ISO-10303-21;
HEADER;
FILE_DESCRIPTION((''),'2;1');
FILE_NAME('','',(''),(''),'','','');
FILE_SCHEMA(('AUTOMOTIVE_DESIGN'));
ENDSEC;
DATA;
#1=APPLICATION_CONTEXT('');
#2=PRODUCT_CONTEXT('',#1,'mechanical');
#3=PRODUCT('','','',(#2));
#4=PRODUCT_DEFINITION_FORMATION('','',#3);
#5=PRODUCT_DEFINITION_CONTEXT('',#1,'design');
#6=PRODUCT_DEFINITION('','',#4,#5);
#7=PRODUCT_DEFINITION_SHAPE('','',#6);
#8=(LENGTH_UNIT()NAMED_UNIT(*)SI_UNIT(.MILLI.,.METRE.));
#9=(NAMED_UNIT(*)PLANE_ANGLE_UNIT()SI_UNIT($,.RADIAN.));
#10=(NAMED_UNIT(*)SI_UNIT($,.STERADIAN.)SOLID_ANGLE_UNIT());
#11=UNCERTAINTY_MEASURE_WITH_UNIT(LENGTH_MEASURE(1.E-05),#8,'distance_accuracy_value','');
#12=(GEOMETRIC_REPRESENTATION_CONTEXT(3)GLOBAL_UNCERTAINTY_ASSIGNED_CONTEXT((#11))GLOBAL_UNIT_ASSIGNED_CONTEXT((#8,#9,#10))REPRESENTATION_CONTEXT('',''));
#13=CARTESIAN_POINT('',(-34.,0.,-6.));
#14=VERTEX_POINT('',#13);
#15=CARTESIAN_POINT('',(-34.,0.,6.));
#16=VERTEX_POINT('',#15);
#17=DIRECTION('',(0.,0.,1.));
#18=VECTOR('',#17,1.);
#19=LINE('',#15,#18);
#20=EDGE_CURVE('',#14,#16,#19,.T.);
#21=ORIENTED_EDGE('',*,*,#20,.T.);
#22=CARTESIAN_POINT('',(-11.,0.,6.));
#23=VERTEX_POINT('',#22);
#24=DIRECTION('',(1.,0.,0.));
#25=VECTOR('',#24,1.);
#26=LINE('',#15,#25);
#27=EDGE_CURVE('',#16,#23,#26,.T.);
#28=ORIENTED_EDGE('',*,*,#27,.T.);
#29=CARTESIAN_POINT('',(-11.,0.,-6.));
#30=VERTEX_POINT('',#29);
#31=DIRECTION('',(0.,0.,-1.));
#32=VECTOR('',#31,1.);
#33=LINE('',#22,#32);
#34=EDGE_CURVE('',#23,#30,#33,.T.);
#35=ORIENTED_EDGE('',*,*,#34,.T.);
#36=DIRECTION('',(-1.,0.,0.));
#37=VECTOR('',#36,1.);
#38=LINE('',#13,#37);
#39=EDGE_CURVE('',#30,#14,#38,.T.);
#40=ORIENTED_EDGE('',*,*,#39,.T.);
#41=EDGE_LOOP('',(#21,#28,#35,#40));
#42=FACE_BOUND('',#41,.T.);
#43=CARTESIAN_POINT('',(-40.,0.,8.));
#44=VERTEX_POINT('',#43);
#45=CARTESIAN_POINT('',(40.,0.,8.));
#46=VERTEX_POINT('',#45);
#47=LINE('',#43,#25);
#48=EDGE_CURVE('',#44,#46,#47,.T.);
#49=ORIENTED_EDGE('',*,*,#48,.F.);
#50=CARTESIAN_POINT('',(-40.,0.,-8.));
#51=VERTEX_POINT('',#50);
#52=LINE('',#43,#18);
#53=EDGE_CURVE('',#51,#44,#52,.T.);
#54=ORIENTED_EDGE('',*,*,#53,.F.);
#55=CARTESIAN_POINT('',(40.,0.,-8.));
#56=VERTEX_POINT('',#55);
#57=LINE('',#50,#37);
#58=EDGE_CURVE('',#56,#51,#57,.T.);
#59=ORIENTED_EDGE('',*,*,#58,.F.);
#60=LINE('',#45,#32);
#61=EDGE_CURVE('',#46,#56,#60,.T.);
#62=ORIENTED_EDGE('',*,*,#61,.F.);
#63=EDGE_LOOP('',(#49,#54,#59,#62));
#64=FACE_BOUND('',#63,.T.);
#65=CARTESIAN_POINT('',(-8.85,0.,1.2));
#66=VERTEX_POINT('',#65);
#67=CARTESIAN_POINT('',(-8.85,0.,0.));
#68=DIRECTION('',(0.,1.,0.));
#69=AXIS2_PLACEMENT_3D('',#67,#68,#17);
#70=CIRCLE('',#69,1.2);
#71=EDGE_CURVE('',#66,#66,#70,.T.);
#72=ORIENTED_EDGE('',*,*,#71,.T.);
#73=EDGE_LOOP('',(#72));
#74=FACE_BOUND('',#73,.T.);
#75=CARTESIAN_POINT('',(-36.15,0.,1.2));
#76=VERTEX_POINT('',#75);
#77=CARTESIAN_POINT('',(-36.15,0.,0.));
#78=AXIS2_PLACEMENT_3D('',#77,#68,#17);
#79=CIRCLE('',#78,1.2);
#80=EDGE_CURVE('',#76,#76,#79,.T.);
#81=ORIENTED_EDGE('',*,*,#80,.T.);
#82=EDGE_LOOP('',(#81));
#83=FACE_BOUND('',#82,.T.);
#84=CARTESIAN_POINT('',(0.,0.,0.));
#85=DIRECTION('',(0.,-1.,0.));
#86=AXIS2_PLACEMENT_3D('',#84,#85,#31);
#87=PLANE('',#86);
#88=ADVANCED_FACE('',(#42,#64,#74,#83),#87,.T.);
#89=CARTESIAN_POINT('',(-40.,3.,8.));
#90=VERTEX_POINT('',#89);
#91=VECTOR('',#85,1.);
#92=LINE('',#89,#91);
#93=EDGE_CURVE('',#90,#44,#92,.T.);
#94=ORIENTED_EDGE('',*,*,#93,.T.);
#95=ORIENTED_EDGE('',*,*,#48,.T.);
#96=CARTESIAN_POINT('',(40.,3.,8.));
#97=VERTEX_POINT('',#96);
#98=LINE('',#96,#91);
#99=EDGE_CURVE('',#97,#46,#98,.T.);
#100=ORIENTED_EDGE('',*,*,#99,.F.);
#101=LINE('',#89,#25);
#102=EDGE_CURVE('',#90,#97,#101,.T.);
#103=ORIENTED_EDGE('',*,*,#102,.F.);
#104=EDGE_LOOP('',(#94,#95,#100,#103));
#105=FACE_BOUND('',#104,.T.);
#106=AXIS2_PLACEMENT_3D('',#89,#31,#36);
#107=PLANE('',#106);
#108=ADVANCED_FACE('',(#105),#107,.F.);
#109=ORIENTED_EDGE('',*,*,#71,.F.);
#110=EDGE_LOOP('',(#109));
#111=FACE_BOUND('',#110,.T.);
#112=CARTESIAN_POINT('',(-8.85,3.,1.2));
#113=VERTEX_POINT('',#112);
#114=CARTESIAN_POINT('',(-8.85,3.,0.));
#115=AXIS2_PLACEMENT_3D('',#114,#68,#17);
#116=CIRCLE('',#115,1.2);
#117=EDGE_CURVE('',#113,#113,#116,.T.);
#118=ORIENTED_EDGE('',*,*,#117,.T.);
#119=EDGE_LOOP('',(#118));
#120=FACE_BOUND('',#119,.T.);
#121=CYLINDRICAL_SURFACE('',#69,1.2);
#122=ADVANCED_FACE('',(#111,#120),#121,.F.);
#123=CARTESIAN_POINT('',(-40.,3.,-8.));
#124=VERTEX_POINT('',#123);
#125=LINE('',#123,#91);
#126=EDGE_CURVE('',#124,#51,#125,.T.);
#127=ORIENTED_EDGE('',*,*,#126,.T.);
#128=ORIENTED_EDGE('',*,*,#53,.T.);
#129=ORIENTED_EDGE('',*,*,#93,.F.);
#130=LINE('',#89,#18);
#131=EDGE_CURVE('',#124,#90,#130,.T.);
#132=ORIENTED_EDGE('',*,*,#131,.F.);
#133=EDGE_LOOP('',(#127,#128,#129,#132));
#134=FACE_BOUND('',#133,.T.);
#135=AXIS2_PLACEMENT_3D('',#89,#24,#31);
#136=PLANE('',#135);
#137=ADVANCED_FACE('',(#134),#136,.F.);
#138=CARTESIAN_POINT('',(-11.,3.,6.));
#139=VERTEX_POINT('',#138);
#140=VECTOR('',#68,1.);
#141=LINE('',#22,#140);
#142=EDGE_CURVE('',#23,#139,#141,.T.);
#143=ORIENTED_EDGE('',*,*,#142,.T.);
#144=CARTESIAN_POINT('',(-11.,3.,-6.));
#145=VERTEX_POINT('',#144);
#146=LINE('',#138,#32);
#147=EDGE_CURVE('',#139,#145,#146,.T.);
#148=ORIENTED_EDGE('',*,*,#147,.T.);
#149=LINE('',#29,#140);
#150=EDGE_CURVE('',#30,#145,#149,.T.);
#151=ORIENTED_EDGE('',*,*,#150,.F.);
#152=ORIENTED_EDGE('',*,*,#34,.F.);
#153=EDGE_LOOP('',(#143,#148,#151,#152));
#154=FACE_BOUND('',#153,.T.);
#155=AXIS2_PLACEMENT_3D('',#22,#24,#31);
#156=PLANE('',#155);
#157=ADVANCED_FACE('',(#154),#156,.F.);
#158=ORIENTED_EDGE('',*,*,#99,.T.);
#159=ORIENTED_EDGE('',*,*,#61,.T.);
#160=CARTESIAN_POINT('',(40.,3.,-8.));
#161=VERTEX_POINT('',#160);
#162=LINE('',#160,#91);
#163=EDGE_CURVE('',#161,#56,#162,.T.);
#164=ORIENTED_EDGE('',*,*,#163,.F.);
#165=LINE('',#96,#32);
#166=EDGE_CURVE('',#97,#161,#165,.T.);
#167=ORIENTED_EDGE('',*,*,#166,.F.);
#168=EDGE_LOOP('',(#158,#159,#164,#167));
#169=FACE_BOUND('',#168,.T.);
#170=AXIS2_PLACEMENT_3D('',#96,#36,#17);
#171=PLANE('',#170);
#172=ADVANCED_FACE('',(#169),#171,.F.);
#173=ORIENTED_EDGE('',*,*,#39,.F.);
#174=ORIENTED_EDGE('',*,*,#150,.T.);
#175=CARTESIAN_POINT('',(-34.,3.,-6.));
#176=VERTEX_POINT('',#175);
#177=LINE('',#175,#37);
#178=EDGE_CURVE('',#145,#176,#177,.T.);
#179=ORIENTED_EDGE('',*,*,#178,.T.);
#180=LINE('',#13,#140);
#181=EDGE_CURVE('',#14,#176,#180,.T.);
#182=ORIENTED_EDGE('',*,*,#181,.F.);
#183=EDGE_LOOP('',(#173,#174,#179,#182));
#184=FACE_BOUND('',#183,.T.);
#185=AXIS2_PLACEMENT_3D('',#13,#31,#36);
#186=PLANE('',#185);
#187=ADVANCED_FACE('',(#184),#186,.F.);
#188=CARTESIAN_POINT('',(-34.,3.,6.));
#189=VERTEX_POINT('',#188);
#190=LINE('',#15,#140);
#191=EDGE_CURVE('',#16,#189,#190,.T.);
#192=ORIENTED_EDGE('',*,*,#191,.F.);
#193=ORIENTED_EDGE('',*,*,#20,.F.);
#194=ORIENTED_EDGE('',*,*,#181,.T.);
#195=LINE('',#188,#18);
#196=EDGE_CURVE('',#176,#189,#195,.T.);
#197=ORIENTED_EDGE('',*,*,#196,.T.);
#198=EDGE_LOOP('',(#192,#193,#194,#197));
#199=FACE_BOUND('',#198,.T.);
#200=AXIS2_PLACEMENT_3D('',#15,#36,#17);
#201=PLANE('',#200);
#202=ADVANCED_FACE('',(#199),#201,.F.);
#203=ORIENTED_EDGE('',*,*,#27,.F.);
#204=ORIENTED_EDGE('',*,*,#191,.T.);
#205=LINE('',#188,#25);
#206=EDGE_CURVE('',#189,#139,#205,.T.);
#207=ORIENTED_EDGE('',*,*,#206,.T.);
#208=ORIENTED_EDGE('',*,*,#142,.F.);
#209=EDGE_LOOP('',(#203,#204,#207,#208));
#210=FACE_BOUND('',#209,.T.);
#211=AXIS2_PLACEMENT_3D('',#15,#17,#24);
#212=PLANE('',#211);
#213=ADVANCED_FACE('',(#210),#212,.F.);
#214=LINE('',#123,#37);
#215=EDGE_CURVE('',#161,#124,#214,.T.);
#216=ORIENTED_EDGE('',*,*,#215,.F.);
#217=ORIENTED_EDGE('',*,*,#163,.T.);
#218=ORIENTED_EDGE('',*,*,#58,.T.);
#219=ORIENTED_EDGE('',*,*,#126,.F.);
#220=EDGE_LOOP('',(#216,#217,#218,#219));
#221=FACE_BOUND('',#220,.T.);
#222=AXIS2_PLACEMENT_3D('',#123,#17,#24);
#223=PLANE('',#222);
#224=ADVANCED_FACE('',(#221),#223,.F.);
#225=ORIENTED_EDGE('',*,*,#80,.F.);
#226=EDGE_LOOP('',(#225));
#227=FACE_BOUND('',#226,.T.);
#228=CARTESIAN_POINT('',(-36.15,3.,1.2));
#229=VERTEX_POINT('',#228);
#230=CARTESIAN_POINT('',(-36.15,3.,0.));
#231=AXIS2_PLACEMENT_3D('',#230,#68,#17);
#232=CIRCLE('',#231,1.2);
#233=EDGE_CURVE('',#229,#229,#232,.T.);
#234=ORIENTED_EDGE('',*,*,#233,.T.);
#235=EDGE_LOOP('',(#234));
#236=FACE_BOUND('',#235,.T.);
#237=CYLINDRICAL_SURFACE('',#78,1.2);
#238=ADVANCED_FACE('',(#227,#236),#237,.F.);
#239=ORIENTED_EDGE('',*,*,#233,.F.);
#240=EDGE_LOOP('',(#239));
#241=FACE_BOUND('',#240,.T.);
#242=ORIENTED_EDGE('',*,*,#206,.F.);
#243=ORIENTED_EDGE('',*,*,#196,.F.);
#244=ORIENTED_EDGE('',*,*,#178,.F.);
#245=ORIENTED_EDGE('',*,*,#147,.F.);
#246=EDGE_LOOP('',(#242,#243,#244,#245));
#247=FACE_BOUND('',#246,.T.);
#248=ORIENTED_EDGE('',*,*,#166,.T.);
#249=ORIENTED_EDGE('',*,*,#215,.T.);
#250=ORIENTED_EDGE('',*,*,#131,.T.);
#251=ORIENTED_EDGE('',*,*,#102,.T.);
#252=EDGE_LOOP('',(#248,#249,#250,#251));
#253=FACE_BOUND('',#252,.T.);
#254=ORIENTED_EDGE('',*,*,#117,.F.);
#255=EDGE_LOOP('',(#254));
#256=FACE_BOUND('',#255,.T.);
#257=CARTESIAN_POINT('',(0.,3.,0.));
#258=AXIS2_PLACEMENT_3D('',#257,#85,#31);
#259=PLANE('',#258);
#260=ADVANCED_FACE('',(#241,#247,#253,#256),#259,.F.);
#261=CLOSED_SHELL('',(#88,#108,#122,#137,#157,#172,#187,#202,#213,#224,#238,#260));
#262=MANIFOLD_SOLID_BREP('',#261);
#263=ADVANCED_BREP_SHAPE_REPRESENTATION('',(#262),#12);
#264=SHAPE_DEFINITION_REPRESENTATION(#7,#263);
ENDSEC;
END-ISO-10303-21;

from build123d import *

# Parameters (mm, degrees)
SKETCH1_W           = 80
SKETCH1_H           = 16
BOSS_EXTRUDE1_DEPTH = 3
SKETCH2_R           = 1.2
SKETCH2_W           = 23
SKETCH2_H           = 12
CUT_EXTRUDE1_DEPTH  = 4


with BuildPart() as part:
    # Sketch1 → Boss-Extrude1 (new body)
    with BuildSketch(Plane(origin=(0, 0, 0), x_dir=(1, 0, 0), z_dir=(0, 1, 0))):
        Rectangle(SKETCH1_W, SKETCH1_H)
    extrude(amount=BOSS_EXTRUDE1_DEPTH)

    # Sketch2 → Cut-Extrude1 (cut, through all)
    with BuildSketch(Plane(origin=(0, 3, 0), x_dir=(1, 0, 0), z_dir=(0, 1, 0))):
        with Locations((-36.15, 0)):
            Circle(SKETCH2_R)
        with Locations((-8.85, 0)):
            Circle(SKETCH2_R)
        with Locations((-22.5, 0)):
            Rectangle(SKETCH2_W, SKETCH2_H)
    extrude(amount=-CUT_EXTRUDE1_DEPTH, mode=Mode.SUBTRACT)


solid = part.part
